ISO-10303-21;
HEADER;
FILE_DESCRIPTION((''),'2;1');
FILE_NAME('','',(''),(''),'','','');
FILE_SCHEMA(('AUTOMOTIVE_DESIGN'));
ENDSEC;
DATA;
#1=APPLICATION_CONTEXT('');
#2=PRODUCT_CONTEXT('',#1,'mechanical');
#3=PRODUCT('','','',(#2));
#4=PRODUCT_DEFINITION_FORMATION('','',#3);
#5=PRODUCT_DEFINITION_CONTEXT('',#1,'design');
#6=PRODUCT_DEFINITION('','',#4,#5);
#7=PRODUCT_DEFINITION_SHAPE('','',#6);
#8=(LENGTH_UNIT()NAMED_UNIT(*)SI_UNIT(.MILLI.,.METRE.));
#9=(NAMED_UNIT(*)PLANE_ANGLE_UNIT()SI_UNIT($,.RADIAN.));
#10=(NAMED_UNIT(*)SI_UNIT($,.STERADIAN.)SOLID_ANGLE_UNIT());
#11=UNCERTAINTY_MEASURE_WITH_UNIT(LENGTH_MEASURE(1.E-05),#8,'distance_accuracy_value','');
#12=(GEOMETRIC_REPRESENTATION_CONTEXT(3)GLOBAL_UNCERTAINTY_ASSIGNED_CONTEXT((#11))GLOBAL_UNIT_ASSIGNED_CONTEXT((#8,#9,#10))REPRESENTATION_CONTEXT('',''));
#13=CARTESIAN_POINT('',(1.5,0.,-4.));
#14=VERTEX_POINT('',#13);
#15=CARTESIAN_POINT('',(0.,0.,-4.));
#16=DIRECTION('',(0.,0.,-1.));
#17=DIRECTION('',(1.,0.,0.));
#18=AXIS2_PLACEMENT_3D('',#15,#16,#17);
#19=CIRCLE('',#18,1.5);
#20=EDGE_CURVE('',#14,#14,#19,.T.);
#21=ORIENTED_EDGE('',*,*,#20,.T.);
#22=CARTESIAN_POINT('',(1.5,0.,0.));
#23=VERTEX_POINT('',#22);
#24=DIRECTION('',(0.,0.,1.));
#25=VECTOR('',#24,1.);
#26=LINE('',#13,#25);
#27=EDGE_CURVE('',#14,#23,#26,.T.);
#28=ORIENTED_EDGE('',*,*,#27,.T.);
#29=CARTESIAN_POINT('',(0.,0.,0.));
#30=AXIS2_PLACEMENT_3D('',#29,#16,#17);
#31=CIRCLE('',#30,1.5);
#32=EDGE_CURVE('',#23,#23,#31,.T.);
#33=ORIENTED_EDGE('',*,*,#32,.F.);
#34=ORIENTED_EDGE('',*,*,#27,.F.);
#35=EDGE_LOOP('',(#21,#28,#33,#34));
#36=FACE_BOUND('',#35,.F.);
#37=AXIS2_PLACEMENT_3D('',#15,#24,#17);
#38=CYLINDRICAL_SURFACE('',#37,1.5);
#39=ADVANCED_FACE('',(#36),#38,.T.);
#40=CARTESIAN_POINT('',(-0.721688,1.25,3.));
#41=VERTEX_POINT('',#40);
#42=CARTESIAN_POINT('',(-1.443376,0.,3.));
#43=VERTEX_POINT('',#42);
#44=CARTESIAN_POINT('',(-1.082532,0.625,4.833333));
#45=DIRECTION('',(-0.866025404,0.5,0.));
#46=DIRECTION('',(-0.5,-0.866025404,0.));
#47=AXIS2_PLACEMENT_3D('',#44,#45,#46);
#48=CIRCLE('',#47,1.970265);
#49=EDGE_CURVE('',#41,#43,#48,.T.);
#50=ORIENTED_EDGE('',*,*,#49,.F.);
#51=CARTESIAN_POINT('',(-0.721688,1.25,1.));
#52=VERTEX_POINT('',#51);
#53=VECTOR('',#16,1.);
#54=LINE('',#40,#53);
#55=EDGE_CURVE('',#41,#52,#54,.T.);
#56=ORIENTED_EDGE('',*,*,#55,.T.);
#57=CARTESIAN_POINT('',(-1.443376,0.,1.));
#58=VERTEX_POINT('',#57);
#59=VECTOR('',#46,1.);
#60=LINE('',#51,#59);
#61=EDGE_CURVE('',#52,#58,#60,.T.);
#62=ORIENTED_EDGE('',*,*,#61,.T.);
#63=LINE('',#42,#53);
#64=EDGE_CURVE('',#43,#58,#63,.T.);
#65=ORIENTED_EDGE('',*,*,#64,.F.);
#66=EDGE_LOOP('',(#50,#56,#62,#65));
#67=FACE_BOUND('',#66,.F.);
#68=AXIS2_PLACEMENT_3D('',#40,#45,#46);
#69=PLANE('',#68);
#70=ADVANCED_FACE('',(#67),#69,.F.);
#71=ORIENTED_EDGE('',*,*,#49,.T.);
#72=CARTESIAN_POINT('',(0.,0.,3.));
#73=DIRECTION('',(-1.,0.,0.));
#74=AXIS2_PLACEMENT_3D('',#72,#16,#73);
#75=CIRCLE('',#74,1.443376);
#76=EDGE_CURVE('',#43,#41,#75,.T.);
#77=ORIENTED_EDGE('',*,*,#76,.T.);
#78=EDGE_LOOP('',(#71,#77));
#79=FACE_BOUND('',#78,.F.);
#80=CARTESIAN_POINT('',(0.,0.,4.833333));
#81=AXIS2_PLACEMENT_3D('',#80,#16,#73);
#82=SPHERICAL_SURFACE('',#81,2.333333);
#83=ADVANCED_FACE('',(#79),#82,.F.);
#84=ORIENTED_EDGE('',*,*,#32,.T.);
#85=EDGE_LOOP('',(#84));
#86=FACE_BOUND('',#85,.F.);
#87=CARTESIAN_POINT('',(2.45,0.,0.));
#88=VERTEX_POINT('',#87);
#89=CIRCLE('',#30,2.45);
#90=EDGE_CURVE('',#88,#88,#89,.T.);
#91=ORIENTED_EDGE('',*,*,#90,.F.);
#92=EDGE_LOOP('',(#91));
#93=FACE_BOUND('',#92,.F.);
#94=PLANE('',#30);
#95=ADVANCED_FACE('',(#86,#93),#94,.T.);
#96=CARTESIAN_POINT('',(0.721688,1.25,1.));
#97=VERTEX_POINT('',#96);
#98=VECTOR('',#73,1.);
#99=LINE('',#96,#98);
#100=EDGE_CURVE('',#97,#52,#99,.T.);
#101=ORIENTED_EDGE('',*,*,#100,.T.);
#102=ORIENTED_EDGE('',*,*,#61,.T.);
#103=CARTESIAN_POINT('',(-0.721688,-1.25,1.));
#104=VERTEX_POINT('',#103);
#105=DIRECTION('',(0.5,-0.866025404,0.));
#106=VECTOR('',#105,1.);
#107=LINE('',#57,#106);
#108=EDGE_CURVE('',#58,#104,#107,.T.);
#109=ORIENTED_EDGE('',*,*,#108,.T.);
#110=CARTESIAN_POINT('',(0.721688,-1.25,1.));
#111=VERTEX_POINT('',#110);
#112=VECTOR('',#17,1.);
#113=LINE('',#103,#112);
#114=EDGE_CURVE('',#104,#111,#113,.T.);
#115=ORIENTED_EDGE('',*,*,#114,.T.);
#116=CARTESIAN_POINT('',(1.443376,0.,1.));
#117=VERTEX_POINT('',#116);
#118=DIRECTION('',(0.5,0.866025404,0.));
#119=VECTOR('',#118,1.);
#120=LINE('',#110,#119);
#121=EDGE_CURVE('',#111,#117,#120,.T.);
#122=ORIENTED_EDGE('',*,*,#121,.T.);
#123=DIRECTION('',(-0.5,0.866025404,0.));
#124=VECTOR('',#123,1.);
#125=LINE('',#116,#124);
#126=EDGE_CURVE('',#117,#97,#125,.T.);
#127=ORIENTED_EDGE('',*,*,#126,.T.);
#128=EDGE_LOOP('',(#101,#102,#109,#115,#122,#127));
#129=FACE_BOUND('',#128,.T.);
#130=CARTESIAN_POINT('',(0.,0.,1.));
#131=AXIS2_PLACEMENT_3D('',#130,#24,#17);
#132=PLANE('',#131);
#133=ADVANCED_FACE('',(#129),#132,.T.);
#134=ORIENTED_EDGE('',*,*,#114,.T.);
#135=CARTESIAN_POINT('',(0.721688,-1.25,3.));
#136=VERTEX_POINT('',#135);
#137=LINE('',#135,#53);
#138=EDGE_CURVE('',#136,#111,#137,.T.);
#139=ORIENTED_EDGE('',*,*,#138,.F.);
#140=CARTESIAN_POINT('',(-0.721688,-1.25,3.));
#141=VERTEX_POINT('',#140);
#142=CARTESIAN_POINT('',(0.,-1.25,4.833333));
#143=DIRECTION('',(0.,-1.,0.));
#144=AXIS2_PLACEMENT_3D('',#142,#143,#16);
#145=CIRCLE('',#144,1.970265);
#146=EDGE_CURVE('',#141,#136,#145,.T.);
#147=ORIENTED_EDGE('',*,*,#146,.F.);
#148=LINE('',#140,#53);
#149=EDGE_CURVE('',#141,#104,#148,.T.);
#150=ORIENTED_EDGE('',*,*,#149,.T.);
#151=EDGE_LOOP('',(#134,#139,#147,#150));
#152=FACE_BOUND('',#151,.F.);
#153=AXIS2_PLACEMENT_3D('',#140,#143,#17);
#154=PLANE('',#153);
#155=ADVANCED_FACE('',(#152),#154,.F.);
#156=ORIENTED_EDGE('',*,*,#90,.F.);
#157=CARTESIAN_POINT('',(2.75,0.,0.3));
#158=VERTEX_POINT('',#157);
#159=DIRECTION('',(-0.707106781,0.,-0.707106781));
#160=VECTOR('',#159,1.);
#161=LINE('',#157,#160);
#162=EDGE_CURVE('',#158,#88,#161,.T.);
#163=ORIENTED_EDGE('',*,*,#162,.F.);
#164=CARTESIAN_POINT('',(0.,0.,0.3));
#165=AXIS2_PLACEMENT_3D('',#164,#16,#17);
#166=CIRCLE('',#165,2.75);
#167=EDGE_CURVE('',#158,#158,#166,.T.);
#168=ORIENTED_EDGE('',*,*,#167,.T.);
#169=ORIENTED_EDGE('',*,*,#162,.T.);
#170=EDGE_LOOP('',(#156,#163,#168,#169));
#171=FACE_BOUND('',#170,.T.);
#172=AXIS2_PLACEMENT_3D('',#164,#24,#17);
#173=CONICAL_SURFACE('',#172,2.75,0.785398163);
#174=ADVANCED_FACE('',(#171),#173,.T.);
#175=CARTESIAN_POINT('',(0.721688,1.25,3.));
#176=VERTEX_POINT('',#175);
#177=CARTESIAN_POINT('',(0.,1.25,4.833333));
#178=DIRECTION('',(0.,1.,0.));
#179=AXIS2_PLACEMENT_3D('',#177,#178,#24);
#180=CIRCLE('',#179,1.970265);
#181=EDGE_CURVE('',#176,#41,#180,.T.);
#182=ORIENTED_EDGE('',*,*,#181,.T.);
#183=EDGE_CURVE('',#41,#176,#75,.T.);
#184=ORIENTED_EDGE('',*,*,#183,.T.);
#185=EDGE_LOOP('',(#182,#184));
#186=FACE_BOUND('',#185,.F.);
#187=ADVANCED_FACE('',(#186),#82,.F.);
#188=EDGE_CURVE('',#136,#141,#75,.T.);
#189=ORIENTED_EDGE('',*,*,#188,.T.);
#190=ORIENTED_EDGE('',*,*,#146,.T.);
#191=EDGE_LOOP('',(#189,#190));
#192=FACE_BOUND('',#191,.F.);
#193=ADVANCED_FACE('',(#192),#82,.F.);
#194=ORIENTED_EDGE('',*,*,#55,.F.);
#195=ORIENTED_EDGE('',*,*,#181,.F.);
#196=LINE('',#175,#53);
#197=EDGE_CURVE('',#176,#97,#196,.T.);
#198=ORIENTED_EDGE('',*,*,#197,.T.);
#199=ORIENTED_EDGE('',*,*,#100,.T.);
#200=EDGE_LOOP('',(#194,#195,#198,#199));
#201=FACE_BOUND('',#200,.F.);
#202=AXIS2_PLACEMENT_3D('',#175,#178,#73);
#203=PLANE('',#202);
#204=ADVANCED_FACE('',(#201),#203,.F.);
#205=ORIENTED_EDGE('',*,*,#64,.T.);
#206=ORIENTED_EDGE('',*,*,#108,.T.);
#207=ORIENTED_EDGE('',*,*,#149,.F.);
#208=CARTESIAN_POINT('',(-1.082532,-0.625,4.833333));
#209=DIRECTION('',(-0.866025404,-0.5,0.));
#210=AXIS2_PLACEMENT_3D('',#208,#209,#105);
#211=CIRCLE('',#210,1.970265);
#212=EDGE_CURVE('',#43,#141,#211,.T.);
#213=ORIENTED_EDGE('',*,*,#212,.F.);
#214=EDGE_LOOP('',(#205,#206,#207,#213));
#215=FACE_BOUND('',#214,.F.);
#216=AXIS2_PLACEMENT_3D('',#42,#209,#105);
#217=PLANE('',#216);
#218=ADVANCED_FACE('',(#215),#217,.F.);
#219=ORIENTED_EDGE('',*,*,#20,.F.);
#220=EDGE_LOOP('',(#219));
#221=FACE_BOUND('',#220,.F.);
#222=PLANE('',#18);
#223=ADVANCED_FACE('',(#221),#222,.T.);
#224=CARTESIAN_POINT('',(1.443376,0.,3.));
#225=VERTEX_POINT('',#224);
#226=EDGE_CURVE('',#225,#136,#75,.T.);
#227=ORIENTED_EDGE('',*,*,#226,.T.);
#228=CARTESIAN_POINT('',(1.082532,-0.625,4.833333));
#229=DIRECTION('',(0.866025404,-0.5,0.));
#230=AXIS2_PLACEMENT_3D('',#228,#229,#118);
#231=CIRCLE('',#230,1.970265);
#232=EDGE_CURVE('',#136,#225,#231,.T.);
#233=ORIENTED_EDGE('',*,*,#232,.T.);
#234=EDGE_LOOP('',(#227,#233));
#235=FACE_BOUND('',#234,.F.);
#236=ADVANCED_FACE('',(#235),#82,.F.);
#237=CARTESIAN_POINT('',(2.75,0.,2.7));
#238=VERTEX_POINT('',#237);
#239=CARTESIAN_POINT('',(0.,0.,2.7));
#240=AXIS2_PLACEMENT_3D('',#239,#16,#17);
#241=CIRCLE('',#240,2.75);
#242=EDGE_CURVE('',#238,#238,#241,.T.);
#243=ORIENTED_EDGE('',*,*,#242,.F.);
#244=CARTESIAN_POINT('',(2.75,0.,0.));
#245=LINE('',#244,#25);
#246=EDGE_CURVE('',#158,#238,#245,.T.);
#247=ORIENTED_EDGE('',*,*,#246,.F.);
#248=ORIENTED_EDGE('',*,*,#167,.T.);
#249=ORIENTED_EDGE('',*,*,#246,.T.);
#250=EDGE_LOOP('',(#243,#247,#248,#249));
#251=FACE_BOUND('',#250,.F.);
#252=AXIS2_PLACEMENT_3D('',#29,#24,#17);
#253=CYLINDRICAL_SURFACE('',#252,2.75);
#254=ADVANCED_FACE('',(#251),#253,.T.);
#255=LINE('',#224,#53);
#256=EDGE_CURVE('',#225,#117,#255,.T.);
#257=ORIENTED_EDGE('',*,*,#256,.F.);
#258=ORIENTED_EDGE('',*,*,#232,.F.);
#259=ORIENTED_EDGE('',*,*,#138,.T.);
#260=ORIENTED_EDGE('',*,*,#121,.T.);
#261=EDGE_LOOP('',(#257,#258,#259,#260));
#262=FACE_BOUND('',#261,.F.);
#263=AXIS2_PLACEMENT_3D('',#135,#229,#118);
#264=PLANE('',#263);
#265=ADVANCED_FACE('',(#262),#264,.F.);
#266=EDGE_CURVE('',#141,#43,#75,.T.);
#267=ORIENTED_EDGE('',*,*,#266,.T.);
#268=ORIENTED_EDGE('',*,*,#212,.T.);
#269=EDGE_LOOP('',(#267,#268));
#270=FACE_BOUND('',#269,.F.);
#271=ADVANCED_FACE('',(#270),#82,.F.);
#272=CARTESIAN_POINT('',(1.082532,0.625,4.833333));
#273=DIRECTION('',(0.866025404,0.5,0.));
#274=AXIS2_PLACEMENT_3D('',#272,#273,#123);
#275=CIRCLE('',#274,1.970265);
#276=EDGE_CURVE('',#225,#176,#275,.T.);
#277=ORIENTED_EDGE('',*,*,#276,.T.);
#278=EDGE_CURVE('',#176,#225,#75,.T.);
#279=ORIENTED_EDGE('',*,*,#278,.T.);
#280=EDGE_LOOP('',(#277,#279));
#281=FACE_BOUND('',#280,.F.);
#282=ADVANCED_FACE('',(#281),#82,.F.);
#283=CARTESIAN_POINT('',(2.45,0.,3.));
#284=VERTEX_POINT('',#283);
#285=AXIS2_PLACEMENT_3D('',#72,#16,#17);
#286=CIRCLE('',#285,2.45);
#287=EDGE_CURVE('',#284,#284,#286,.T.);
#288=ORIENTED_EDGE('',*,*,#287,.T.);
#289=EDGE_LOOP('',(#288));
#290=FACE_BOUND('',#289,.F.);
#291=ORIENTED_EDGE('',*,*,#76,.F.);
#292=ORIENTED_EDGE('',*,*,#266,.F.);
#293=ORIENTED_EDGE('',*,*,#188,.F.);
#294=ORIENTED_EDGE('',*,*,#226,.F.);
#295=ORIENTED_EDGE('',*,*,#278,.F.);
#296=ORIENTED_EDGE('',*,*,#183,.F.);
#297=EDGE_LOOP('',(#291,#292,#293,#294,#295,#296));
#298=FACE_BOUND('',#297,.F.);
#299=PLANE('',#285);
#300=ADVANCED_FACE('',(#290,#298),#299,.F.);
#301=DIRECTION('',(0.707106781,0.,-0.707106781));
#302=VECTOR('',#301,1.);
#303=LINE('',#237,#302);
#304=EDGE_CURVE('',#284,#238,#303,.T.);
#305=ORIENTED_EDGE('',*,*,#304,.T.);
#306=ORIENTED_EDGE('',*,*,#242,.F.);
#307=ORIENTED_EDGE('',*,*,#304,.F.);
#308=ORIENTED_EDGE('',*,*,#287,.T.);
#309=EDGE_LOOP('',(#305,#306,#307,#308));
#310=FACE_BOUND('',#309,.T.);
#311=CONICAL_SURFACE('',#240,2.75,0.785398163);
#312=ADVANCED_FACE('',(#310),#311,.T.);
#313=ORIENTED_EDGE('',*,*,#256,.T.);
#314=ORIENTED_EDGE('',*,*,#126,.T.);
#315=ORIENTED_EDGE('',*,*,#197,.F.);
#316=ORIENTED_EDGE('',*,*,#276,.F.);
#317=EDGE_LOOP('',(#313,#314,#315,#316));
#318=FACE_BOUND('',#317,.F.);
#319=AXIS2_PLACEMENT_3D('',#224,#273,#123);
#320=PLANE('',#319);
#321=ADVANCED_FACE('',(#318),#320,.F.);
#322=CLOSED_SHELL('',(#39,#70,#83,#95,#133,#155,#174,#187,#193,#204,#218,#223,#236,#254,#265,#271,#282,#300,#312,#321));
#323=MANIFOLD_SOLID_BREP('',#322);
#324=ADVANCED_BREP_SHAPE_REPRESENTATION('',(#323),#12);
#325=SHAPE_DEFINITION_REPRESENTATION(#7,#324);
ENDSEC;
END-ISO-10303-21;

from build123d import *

# Parameters (mm, degrees)
F3_DEPTH = 2
F6_SIZE  = 0.3


with BuildPart() as f1:
    # F0 (on Front) → F1 (revolve)
    with BuildSketch(Plane.XZ):
        Polygon((2.75, 3), (0, 3), (0, -4), (1.5, -4), (1.5, 0), (2.75, 0), align=None)
    revolve(axis=Axis((0, 0, -0.5), (0, 0, -1)))

    # F2 (on face) → F3 (cut)
    with BuildSketch(Plane.XY.offset(3)):
        Polygon((1.443375673, 0), (0.7216878365, 1.25), (-0.7216878365, 1.25), (-1.443375673, 0), (-0.7216878365, -1.25), (0.7216878365, -1.25), align=None)
    extrude(amount=-F3_DEPTH, mode=Mode.SUBTRACT)

    # F4 (on Front) → F5 (revolve, cut)
    with BuildSketch(Plane.XZ):
        with BuildLine():
            Line((0, 2.5), (0, 7.1666666667))
            ThreePointArc((0, 7.1666666667), (-2.3333333333, 4.8333333333), (0, 2.5))
        make_face()
    revolve(axis=Axis((0, 0, 2.4166666667), (0, 0, -1)), mode=Mode.SUBTRACT)

    # F6
    f6_edges = [f1.edges().sort_by_distance(p)[0] for p in [
        (-2.75, 0, 3),
        (-2.75, 0, 0),
    ]]
    chamfer(f6_edges, length=F6_SIZE)


solid = f1.part
